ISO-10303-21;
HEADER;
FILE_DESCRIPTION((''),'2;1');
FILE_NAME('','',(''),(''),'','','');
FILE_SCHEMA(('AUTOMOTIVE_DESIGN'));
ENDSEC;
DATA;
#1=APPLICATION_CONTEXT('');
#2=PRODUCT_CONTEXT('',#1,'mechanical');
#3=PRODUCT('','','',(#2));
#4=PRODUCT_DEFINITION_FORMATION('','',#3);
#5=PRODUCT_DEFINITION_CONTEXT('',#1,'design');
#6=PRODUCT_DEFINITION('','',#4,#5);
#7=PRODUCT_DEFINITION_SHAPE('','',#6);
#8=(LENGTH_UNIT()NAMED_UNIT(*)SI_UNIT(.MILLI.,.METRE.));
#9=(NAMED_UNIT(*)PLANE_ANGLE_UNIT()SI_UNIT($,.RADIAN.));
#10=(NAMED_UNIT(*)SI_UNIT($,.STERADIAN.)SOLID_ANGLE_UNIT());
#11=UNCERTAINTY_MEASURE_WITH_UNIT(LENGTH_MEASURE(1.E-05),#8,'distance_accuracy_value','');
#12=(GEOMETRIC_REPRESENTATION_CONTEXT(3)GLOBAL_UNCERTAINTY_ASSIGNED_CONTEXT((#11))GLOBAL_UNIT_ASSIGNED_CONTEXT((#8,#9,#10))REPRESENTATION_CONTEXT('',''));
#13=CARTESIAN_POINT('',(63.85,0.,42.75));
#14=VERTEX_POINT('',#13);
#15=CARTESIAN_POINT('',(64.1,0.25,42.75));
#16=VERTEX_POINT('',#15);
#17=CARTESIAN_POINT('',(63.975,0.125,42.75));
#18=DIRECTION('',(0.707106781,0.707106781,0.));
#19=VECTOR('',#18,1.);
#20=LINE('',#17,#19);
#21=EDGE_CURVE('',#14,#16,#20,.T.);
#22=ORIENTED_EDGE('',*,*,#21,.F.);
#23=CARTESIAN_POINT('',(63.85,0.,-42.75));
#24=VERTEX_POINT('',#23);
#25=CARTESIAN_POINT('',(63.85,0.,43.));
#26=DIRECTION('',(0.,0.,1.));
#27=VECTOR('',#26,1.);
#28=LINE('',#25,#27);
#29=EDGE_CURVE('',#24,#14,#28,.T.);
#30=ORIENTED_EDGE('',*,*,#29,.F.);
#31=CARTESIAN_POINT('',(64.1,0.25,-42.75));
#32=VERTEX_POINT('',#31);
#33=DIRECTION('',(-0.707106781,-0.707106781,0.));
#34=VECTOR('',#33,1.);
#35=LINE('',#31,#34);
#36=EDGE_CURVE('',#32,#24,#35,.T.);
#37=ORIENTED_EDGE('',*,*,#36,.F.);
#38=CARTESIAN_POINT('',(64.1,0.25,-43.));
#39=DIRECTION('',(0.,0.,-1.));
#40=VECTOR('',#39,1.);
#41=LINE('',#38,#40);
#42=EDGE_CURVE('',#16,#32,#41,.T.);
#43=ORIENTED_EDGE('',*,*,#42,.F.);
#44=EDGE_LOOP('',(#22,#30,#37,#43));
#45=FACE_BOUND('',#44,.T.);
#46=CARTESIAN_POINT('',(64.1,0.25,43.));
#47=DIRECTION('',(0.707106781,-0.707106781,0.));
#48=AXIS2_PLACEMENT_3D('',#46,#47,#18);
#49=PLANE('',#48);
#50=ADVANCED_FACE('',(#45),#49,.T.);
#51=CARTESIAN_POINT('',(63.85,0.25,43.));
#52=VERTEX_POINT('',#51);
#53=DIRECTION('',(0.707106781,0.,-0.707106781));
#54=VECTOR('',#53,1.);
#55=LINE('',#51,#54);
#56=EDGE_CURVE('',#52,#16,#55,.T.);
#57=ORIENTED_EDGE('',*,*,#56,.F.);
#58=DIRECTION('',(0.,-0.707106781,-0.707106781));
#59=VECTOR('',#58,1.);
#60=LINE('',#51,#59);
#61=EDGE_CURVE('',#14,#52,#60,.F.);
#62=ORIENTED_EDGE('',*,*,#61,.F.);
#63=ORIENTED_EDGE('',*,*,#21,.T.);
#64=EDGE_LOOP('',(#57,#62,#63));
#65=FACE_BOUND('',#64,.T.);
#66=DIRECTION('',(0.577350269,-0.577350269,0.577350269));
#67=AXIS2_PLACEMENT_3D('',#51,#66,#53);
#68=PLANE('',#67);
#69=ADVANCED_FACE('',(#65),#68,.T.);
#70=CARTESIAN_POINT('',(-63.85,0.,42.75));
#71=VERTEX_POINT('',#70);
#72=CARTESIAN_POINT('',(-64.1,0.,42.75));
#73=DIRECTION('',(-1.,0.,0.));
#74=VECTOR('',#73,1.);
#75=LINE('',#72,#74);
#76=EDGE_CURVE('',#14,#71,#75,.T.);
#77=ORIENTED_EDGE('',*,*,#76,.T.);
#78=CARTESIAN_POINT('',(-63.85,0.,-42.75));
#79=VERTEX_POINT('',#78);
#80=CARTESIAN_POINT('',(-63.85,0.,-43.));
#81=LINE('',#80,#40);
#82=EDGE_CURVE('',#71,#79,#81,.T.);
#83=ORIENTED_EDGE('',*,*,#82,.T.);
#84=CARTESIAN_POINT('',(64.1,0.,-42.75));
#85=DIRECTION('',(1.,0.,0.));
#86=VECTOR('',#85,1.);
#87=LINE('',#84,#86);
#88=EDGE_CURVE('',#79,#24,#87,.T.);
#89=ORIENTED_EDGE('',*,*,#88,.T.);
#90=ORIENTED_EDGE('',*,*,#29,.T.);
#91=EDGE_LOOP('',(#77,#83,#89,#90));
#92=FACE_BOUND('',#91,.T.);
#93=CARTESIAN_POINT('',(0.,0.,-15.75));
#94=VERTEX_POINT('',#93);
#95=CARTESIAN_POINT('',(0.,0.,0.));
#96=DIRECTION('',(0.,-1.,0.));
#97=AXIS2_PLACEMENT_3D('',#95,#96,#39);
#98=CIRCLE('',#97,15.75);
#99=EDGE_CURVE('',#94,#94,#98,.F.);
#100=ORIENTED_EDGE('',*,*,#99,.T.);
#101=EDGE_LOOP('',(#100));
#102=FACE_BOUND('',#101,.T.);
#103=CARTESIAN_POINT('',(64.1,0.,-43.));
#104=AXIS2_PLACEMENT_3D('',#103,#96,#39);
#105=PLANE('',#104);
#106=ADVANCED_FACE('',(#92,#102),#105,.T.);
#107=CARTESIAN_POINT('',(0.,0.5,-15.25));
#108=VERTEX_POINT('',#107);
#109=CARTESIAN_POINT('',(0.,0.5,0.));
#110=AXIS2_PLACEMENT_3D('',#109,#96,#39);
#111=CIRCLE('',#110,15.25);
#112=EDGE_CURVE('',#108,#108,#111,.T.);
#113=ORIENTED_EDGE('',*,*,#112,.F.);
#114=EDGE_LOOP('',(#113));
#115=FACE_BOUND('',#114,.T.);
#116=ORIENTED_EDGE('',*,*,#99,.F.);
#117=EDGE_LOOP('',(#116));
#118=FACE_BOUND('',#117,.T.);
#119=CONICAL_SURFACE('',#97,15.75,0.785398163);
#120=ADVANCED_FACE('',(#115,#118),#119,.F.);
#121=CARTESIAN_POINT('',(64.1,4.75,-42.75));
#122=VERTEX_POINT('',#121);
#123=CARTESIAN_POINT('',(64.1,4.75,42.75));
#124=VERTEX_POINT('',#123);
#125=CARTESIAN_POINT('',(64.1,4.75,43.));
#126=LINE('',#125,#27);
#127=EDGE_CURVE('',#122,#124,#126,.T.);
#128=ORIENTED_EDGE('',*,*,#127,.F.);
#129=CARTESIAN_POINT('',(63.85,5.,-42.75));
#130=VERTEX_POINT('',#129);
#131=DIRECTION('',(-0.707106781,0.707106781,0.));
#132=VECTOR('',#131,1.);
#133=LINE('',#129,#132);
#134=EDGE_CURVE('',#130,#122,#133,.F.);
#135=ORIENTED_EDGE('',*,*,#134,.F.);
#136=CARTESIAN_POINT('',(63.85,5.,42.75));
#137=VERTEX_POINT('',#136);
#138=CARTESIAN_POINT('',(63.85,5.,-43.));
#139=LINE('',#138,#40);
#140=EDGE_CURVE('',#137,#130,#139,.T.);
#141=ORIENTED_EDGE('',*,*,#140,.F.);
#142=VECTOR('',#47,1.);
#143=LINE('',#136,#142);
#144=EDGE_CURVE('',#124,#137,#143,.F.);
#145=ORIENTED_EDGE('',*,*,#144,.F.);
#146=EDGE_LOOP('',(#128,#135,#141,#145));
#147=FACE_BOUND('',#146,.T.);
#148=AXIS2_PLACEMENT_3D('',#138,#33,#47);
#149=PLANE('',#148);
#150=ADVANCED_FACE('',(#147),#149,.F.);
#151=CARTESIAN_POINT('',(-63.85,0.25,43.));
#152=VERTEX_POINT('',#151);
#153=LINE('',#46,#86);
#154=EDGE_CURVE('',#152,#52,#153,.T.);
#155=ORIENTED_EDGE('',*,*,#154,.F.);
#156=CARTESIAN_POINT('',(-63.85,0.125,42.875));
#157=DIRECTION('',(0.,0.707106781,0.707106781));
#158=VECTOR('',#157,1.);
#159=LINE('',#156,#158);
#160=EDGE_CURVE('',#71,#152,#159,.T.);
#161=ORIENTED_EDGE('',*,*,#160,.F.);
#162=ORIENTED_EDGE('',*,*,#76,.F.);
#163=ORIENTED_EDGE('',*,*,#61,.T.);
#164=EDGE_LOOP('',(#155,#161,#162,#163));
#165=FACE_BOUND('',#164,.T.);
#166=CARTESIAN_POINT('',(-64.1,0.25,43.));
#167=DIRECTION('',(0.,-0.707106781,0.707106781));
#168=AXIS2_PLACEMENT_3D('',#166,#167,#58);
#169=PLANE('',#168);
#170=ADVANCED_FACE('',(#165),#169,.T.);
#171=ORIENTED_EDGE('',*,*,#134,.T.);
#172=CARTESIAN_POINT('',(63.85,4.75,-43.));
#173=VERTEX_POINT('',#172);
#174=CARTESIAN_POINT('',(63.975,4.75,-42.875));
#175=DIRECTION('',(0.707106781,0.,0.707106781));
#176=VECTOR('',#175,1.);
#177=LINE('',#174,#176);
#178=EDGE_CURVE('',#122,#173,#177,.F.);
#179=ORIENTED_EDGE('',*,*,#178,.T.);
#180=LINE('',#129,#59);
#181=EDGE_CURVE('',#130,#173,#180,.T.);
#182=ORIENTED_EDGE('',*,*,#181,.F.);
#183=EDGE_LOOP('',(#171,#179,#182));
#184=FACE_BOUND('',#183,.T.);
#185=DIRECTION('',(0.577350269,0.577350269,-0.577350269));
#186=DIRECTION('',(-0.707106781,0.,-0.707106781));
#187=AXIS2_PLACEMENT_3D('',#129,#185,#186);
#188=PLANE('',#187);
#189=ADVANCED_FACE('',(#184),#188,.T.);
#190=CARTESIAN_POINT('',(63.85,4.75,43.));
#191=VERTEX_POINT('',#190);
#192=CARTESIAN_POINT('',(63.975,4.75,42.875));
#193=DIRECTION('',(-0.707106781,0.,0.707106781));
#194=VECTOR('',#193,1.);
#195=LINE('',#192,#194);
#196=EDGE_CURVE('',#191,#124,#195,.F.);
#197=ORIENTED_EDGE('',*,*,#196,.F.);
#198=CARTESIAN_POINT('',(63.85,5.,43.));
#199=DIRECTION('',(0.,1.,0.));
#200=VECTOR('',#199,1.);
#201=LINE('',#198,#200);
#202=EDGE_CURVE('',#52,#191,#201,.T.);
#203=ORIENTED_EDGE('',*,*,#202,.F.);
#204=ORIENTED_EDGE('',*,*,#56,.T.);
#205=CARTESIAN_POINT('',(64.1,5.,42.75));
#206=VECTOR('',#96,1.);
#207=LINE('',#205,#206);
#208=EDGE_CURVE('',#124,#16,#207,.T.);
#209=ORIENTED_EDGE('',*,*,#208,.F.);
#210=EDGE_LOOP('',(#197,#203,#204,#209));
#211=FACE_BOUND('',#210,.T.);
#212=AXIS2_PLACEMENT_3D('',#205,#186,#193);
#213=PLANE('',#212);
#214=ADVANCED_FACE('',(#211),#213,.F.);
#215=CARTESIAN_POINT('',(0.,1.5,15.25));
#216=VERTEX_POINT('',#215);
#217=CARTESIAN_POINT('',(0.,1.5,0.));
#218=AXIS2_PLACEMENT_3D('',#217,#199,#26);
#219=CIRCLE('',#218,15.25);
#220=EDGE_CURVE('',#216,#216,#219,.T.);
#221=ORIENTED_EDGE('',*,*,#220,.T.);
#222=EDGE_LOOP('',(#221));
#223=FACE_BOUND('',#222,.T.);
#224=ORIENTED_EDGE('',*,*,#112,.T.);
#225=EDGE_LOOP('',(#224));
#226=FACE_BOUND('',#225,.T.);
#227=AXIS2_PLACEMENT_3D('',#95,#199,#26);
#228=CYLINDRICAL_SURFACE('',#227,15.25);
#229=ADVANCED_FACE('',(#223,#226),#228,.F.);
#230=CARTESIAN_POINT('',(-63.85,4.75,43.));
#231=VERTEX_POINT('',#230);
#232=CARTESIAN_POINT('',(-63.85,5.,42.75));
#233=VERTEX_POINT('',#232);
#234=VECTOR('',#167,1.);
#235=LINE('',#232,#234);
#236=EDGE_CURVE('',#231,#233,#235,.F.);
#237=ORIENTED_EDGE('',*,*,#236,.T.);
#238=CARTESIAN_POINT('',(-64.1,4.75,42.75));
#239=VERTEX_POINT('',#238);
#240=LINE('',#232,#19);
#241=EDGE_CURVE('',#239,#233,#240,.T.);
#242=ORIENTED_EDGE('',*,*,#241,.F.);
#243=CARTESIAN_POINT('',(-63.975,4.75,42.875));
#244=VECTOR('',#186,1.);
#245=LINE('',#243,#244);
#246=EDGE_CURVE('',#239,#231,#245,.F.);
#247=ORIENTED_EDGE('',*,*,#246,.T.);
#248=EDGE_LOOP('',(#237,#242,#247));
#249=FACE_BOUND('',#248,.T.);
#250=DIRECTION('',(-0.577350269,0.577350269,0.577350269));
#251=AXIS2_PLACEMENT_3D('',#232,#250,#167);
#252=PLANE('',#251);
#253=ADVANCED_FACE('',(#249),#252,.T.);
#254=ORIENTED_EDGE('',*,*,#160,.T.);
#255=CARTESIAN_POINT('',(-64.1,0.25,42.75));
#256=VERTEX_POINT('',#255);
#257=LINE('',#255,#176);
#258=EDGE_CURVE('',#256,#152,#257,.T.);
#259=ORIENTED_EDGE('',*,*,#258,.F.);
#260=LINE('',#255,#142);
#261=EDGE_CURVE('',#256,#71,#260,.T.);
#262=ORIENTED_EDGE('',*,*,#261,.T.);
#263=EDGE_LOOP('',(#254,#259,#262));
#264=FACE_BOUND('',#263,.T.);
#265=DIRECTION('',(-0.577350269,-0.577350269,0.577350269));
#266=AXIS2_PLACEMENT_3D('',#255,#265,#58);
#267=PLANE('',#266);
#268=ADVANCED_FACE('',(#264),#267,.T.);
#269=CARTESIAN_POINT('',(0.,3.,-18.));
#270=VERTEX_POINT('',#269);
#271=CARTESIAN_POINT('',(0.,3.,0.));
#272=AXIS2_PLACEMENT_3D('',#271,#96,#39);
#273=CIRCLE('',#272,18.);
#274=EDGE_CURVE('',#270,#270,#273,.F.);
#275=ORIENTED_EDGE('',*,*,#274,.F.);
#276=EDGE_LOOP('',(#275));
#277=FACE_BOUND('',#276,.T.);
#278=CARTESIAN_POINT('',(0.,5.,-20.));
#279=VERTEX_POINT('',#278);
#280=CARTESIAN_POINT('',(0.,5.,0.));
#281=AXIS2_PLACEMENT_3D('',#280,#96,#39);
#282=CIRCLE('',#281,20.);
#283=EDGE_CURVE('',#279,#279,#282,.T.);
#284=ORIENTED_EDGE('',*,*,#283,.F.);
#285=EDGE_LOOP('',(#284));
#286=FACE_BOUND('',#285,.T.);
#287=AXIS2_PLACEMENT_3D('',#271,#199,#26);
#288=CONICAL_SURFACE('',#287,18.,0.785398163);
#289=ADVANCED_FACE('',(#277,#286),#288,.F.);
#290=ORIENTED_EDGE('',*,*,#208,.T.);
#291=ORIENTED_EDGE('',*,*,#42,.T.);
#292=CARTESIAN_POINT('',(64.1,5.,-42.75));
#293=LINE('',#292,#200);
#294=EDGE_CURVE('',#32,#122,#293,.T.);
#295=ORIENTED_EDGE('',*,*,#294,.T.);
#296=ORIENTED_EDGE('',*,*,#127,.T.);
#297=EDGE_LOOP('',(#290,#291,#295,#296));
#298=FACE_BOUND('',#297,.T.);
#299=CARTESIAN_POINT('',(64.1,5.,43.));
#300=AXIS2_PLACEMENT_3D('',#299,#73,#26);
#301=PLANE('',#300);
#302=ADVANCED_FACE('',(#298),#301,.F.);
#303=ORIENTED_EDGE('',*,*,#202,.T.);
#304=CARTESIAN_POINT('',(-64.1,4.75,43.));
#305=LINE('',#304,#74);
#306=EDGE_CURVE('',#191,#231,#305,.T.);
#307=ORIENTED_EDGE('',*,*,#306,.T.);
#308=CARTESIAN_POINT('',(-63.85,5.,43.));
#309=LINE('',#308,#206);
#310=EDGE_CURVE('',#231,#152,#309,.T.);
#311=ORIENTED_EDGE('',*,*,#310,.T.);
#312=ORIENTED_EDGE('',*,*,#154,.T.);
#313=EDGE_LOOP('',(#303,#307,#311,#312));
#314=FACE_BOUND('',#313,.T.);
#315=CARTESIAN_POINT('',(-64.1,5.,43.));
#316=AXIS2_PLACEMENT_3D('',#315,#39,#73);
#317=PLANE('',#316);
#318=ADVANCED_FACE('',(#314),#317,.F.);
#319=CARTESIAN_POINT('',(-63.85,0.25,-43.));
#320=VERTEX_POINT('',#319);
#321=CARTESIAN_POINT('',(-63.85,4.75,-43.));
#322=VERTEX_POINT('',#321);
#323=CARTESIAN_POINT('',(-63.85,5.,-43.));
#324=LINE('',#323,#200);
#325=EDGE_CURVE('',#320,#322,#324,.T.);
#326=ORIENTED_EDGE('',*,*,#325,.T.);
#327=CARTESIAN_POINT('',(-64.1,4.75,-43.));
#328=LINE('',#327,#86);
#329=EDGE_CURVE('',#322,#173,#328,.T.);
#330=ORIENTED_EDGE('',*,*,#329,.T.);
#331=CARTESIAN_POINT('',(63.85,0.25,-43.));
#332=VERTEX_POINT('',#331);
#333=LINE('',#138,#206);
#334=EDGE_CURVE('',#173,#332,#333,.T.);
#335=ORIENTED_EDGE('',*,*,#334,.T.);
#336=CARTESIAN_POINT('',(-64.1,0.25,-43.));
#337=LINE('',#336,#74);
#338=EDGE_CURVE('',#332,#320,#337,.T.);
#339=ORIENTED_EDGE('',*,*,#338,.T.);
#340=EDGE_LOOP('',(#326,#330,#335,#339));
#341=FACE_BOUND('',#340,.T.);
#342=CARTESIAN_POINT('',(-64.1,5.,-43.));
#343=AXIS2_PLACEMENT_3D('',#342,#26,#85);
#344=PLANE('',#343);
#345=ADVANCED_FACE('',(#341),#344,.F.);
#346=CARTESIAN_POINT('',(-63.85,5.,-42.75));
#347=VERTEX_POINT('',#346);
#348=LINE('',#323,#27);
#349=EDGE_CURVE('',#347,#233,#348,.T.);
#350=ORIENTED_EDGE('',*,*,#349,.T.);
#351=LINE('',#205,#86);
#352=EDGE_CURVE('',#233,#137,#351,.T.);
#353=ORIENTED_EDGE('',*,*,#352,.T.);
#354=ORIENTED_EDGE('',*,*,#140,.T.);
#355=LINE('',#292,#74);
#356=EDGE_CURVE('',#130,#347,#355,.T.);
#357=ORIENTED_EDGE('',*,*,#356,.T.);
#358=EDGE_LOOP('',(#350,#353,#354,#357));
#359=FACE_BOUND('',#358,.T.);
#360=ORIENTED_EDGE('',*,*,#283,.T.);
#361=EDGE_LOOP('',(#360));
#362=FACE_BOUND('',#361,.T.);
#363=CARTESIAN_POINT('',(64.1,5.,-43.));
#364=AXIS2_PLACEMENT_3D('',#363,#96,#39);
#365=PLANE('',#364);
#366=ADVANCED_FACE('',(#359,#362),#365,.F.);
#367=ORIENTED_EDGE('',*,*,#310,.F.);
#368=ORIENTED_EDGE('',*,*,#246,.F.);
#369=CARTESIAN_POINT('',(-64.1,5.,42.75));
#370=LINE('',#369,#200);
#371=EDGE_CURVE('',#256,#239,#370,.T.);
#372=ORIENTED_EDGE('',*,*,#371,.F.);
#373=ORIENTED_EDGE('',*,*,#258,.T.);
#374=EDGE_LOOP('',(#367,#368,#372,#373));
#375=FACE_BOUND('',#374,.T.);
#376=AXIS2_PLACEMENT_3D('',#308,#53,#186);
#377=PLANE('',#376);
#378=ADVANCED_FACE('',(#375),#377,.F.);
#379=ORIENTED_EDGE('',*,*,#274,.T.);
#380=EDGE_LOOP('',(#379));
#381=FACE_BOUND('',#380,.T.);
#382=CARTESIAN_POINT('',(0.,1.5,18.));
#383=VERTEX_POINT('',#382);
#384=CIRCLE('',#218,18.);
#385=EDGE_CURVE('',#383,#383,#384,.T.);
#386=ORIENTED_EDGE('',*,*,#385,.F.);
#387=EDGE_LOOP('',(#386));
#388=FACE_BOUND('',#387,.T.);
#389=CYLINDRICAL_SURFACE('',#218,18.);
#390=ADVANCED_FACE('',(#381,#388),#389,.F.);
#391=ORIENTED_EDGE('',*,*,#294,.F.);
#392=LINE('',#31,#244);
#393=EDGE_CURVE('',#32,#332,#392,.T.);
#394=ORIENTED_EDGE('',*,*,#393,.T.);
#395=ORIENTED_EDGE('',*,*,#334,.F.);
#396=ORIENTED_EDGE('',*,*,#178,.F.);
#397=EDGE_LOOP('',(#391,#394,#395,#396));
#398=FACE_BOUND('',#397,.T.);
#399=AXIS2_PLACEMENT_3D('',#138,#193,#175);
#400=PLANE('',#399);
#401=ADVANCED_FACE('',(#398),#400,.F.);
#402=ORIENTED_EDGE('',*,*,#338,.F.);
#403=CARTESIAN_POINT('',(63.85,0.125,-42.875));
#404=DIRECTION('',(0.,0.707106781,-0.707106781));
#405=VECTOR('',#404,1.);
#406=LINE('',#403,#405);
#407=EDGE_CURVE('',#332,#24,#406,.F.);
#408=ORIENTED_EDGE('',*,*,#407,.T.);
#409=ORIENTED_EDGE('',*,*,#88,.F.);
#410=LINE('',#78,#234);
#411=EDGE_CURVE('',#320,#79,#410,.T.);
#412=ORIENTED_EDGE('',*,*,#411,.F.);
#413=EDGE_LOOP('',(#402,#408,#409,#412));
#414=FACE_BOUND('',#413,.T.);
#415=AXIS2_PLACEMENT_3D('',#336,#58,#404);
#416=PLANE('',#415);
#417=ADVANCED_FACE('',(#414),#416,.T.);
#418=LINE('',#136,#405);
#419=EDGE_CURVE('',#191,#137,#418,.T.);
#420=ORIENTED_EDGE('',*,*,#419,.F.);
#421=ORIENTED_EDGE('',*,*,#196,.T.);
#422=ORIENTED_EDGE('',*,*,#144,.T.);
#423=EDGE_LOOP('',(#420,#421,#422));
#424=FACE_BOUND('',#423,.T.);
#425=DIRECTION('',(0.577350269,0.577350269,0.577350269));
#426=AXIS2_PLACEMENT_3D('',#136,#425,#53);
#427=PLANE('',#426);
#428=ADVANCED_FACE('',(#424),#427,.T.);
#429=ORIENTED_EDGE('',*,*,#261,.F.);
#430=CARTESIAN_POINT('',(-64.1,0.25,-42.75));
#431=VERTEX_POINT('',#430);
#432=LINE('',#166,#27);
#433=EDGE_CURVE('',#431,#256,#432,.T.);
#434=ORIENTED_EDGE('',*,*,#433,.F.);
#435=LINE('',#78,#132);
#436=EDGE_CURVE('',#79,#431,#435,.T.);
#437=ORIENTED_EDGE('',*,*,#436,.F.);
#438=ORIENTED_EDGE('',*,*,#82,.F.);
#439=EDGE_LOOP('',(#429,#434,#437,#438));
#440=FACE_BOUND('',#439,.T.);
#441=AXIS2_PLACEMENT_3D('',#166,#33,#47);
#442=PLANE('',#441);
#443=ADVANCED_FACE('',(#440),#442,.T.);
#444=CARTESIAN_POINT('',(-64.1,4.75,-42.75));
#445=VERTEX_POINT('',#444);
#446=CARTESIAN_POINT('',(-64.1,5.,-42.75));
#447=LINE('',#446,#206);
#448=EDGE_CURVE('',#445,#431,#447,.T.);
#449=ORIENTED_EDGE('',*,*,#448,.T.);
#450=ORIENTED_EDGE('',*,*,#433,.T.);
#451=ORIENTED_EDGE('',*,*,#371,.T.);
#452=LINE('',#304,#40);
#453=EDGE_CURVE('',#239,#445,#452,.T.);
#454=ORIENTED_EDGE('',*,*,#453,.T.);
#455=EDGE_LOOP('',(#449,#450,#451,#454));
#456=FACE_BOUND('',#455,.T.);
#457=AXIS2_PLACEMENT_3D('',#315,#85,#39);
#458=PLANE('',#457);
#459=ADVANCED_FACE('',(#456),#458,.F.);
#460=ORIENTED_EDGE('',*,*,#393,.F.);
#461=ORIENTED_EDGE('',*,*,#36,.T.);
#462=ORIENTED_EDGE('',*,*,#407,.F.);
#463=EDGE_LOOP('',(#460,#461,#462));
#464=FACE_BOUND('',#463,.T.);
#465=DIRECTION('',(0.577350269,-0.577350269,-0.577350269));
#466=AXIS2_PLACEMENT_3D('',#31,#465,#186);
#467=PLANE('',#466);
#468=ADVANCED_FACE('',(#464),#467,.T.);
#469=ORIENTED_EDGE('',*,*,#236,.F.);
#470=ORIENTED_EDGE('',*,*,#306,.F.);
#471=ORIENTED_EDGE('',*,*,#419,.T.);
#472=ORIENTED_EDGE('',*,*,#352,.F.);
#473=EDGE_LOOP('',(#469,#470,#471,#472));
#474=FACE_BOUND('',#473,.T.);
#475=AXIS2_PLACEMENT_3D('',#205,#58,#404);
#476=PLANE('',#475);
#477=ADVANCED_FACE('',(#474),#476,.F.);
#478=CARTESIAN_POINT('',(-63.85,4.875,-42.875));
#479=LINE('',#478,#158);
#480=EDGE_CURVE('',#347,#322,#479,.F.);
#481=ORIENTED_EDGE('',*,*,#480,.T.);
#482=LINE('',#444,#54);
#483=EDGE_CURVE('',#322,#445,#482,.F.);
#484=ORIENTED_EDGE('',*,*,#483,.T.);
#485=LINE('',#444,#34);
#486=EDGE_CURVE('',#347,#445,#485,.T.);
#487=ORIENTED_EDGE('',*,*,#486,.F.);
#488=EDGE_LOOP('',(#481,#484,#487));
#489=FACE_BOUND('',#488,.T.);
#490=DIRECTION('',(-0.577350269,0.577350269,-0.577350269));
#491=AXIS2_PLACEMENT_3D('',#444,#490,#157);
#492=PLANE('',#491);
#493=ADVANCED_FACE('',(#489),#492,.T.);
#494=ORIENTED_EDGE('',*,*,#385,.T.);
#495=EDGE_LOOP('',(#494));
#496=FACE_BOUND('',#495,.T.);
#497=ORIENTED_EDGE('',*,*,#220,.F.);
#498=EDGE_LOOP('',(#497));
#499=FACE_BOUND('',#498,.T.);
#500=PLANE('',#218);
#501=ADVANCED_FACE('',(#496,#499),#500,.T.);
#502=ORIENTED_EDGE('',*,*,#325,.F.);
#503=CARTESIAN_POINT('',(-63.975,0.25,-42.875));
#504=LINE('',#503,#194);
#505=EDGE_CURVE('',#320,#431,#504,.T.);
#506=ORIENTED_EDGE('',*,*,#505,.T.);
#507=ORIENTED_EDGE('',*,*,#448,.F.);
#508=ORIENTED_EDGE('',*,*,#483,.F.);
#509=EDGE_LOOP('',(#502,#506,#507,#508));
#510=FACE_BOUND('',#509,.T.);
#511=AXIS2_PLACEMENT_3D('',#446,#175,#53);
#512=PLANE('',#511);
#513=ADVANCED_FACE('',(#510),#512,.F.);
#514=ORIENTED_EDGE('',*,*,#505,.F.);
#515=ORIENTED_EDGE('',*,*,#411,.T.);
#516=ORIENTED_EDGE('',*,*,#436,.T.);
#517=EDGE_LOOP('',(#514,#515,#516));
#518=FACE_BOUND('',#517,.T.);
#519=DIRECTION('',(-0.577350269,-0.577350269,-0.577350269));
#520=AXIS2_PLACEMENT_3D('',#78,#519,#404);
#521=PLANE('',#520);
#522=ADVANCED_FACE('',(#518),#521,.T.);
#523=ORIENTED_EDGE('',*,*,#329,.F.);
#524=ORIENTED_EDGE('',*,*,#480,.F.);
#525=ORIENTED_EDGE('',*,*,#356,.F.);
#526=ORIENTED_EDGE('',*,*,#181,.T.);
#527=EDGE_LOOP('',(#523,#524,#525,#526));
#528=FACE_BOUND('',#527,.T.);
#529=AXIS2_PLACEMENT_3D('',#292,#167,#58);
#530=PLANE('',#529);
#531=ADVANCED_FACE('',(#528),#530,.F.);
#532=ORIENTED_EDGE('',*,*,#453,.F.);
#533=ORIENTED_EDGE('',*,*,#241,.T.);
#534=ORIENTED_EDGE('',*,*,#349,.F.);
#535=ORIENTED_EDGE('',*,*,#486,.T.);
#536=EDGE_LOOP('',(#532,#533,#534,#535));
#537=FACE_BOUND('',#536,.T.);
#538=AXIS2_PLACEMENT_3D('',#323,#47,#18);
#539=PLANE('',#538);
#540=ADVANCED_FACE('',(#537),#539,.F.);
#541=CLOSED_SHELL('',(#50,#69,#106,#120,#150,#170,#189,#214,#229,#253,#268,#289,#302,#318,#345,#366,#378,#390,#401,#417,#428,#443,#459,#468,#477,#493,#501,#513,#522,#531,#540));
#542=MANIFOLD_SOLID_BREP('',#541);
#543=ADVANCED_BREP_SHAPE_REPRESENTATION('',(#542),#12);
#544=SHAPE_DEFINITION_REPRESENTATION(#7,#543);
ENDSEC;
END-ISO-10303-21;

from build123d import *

# Parameters (mm, degrees)
SKETCH1_W      = 128.2
SKETCH1_H      = 86
EXTRUDE1_DEPTH = 5
SKETCH4_R      = 18
EXTRUDE4_DEPTH = 3.5
SKETCH6_R      = 15.25
EXTRUDE6_DEPTH = 2.5
CHAMFER5_SIZE  = 0.5
CHAMFER6_SIZE  = 2
CHAMFER7_SIZE  = 0.25


with BuildPart() as part:
    # Sketch1 → Extrude1 (new body)
    with BuildSketch(Plane(origin=(0, 0, 0), x_dir=(1, 0, 0), z_dir=(0, 1, 0))):
        Rectangle(SKETCH1_W, SKETCH1_H)
    extrude(amount=EXTRUDE1_DEPTH)

    # Sketch4 → Extrude4 (cut)
    with BuildSketch(Plane(origin=(0, 5, 0), x_dir=(-1, 0, 0), z_dir=(0, 1, 0))):
        Circle(SKETCH4_R)
    extrude(amount=-EXTRUDE4_DEPTH, mode=Mode.SUBTRACT)

    # Sketch6 → Extrude6 (cut, through all)
    with BuildSketch(Plane(origin=(0, 1.5, 0), x_dir=(1, 0, 0), z_dir=(0, 1, 0))):
        Circle(SKETCH6_R)
    extrude(amount=-EXTRUDE6_DEPTH, mode=Mode.SUBTRACT)

    # Chamfer5
    chamfer5_edges = [part.edges().sort_by_distance(p)[0] for p in [
        (-15.25, 0, 0),
    ]]
    chamfer(chamfer5_edges, length=CHAMFER5_SIZE)

    # Chamfer6
    chamfer6_edges = [part.edges().sort_by_distance(p)[0] for p in [
        (18, 5, 0),
    ]]
    chamfer(chamfer6_edges, length=CHAMFER6_SIZE)

    # Chamfer7
    chamfer7_edges = [part.edges().sort_by_distance(p)[0] for p in [
        (-64.1, 5, 0),
        (0, 5, 43),
        (64.1, 5, 0),
        (0, 0, 43),
        (-64.1, 0, 0),
        (0, 0, -43),
        (64.1, 0, 0),
        (0, 5, -43),
        (64.1, 2.5, 43),
        (-64.1, 2.5, 43),
        (-64.1, 2.5, -43),
        (64.1, 2.5, -43),
    ]]
    chamfer(chamfer7_edges, length=CHAMFER7_SIZE)


solid = part.part
